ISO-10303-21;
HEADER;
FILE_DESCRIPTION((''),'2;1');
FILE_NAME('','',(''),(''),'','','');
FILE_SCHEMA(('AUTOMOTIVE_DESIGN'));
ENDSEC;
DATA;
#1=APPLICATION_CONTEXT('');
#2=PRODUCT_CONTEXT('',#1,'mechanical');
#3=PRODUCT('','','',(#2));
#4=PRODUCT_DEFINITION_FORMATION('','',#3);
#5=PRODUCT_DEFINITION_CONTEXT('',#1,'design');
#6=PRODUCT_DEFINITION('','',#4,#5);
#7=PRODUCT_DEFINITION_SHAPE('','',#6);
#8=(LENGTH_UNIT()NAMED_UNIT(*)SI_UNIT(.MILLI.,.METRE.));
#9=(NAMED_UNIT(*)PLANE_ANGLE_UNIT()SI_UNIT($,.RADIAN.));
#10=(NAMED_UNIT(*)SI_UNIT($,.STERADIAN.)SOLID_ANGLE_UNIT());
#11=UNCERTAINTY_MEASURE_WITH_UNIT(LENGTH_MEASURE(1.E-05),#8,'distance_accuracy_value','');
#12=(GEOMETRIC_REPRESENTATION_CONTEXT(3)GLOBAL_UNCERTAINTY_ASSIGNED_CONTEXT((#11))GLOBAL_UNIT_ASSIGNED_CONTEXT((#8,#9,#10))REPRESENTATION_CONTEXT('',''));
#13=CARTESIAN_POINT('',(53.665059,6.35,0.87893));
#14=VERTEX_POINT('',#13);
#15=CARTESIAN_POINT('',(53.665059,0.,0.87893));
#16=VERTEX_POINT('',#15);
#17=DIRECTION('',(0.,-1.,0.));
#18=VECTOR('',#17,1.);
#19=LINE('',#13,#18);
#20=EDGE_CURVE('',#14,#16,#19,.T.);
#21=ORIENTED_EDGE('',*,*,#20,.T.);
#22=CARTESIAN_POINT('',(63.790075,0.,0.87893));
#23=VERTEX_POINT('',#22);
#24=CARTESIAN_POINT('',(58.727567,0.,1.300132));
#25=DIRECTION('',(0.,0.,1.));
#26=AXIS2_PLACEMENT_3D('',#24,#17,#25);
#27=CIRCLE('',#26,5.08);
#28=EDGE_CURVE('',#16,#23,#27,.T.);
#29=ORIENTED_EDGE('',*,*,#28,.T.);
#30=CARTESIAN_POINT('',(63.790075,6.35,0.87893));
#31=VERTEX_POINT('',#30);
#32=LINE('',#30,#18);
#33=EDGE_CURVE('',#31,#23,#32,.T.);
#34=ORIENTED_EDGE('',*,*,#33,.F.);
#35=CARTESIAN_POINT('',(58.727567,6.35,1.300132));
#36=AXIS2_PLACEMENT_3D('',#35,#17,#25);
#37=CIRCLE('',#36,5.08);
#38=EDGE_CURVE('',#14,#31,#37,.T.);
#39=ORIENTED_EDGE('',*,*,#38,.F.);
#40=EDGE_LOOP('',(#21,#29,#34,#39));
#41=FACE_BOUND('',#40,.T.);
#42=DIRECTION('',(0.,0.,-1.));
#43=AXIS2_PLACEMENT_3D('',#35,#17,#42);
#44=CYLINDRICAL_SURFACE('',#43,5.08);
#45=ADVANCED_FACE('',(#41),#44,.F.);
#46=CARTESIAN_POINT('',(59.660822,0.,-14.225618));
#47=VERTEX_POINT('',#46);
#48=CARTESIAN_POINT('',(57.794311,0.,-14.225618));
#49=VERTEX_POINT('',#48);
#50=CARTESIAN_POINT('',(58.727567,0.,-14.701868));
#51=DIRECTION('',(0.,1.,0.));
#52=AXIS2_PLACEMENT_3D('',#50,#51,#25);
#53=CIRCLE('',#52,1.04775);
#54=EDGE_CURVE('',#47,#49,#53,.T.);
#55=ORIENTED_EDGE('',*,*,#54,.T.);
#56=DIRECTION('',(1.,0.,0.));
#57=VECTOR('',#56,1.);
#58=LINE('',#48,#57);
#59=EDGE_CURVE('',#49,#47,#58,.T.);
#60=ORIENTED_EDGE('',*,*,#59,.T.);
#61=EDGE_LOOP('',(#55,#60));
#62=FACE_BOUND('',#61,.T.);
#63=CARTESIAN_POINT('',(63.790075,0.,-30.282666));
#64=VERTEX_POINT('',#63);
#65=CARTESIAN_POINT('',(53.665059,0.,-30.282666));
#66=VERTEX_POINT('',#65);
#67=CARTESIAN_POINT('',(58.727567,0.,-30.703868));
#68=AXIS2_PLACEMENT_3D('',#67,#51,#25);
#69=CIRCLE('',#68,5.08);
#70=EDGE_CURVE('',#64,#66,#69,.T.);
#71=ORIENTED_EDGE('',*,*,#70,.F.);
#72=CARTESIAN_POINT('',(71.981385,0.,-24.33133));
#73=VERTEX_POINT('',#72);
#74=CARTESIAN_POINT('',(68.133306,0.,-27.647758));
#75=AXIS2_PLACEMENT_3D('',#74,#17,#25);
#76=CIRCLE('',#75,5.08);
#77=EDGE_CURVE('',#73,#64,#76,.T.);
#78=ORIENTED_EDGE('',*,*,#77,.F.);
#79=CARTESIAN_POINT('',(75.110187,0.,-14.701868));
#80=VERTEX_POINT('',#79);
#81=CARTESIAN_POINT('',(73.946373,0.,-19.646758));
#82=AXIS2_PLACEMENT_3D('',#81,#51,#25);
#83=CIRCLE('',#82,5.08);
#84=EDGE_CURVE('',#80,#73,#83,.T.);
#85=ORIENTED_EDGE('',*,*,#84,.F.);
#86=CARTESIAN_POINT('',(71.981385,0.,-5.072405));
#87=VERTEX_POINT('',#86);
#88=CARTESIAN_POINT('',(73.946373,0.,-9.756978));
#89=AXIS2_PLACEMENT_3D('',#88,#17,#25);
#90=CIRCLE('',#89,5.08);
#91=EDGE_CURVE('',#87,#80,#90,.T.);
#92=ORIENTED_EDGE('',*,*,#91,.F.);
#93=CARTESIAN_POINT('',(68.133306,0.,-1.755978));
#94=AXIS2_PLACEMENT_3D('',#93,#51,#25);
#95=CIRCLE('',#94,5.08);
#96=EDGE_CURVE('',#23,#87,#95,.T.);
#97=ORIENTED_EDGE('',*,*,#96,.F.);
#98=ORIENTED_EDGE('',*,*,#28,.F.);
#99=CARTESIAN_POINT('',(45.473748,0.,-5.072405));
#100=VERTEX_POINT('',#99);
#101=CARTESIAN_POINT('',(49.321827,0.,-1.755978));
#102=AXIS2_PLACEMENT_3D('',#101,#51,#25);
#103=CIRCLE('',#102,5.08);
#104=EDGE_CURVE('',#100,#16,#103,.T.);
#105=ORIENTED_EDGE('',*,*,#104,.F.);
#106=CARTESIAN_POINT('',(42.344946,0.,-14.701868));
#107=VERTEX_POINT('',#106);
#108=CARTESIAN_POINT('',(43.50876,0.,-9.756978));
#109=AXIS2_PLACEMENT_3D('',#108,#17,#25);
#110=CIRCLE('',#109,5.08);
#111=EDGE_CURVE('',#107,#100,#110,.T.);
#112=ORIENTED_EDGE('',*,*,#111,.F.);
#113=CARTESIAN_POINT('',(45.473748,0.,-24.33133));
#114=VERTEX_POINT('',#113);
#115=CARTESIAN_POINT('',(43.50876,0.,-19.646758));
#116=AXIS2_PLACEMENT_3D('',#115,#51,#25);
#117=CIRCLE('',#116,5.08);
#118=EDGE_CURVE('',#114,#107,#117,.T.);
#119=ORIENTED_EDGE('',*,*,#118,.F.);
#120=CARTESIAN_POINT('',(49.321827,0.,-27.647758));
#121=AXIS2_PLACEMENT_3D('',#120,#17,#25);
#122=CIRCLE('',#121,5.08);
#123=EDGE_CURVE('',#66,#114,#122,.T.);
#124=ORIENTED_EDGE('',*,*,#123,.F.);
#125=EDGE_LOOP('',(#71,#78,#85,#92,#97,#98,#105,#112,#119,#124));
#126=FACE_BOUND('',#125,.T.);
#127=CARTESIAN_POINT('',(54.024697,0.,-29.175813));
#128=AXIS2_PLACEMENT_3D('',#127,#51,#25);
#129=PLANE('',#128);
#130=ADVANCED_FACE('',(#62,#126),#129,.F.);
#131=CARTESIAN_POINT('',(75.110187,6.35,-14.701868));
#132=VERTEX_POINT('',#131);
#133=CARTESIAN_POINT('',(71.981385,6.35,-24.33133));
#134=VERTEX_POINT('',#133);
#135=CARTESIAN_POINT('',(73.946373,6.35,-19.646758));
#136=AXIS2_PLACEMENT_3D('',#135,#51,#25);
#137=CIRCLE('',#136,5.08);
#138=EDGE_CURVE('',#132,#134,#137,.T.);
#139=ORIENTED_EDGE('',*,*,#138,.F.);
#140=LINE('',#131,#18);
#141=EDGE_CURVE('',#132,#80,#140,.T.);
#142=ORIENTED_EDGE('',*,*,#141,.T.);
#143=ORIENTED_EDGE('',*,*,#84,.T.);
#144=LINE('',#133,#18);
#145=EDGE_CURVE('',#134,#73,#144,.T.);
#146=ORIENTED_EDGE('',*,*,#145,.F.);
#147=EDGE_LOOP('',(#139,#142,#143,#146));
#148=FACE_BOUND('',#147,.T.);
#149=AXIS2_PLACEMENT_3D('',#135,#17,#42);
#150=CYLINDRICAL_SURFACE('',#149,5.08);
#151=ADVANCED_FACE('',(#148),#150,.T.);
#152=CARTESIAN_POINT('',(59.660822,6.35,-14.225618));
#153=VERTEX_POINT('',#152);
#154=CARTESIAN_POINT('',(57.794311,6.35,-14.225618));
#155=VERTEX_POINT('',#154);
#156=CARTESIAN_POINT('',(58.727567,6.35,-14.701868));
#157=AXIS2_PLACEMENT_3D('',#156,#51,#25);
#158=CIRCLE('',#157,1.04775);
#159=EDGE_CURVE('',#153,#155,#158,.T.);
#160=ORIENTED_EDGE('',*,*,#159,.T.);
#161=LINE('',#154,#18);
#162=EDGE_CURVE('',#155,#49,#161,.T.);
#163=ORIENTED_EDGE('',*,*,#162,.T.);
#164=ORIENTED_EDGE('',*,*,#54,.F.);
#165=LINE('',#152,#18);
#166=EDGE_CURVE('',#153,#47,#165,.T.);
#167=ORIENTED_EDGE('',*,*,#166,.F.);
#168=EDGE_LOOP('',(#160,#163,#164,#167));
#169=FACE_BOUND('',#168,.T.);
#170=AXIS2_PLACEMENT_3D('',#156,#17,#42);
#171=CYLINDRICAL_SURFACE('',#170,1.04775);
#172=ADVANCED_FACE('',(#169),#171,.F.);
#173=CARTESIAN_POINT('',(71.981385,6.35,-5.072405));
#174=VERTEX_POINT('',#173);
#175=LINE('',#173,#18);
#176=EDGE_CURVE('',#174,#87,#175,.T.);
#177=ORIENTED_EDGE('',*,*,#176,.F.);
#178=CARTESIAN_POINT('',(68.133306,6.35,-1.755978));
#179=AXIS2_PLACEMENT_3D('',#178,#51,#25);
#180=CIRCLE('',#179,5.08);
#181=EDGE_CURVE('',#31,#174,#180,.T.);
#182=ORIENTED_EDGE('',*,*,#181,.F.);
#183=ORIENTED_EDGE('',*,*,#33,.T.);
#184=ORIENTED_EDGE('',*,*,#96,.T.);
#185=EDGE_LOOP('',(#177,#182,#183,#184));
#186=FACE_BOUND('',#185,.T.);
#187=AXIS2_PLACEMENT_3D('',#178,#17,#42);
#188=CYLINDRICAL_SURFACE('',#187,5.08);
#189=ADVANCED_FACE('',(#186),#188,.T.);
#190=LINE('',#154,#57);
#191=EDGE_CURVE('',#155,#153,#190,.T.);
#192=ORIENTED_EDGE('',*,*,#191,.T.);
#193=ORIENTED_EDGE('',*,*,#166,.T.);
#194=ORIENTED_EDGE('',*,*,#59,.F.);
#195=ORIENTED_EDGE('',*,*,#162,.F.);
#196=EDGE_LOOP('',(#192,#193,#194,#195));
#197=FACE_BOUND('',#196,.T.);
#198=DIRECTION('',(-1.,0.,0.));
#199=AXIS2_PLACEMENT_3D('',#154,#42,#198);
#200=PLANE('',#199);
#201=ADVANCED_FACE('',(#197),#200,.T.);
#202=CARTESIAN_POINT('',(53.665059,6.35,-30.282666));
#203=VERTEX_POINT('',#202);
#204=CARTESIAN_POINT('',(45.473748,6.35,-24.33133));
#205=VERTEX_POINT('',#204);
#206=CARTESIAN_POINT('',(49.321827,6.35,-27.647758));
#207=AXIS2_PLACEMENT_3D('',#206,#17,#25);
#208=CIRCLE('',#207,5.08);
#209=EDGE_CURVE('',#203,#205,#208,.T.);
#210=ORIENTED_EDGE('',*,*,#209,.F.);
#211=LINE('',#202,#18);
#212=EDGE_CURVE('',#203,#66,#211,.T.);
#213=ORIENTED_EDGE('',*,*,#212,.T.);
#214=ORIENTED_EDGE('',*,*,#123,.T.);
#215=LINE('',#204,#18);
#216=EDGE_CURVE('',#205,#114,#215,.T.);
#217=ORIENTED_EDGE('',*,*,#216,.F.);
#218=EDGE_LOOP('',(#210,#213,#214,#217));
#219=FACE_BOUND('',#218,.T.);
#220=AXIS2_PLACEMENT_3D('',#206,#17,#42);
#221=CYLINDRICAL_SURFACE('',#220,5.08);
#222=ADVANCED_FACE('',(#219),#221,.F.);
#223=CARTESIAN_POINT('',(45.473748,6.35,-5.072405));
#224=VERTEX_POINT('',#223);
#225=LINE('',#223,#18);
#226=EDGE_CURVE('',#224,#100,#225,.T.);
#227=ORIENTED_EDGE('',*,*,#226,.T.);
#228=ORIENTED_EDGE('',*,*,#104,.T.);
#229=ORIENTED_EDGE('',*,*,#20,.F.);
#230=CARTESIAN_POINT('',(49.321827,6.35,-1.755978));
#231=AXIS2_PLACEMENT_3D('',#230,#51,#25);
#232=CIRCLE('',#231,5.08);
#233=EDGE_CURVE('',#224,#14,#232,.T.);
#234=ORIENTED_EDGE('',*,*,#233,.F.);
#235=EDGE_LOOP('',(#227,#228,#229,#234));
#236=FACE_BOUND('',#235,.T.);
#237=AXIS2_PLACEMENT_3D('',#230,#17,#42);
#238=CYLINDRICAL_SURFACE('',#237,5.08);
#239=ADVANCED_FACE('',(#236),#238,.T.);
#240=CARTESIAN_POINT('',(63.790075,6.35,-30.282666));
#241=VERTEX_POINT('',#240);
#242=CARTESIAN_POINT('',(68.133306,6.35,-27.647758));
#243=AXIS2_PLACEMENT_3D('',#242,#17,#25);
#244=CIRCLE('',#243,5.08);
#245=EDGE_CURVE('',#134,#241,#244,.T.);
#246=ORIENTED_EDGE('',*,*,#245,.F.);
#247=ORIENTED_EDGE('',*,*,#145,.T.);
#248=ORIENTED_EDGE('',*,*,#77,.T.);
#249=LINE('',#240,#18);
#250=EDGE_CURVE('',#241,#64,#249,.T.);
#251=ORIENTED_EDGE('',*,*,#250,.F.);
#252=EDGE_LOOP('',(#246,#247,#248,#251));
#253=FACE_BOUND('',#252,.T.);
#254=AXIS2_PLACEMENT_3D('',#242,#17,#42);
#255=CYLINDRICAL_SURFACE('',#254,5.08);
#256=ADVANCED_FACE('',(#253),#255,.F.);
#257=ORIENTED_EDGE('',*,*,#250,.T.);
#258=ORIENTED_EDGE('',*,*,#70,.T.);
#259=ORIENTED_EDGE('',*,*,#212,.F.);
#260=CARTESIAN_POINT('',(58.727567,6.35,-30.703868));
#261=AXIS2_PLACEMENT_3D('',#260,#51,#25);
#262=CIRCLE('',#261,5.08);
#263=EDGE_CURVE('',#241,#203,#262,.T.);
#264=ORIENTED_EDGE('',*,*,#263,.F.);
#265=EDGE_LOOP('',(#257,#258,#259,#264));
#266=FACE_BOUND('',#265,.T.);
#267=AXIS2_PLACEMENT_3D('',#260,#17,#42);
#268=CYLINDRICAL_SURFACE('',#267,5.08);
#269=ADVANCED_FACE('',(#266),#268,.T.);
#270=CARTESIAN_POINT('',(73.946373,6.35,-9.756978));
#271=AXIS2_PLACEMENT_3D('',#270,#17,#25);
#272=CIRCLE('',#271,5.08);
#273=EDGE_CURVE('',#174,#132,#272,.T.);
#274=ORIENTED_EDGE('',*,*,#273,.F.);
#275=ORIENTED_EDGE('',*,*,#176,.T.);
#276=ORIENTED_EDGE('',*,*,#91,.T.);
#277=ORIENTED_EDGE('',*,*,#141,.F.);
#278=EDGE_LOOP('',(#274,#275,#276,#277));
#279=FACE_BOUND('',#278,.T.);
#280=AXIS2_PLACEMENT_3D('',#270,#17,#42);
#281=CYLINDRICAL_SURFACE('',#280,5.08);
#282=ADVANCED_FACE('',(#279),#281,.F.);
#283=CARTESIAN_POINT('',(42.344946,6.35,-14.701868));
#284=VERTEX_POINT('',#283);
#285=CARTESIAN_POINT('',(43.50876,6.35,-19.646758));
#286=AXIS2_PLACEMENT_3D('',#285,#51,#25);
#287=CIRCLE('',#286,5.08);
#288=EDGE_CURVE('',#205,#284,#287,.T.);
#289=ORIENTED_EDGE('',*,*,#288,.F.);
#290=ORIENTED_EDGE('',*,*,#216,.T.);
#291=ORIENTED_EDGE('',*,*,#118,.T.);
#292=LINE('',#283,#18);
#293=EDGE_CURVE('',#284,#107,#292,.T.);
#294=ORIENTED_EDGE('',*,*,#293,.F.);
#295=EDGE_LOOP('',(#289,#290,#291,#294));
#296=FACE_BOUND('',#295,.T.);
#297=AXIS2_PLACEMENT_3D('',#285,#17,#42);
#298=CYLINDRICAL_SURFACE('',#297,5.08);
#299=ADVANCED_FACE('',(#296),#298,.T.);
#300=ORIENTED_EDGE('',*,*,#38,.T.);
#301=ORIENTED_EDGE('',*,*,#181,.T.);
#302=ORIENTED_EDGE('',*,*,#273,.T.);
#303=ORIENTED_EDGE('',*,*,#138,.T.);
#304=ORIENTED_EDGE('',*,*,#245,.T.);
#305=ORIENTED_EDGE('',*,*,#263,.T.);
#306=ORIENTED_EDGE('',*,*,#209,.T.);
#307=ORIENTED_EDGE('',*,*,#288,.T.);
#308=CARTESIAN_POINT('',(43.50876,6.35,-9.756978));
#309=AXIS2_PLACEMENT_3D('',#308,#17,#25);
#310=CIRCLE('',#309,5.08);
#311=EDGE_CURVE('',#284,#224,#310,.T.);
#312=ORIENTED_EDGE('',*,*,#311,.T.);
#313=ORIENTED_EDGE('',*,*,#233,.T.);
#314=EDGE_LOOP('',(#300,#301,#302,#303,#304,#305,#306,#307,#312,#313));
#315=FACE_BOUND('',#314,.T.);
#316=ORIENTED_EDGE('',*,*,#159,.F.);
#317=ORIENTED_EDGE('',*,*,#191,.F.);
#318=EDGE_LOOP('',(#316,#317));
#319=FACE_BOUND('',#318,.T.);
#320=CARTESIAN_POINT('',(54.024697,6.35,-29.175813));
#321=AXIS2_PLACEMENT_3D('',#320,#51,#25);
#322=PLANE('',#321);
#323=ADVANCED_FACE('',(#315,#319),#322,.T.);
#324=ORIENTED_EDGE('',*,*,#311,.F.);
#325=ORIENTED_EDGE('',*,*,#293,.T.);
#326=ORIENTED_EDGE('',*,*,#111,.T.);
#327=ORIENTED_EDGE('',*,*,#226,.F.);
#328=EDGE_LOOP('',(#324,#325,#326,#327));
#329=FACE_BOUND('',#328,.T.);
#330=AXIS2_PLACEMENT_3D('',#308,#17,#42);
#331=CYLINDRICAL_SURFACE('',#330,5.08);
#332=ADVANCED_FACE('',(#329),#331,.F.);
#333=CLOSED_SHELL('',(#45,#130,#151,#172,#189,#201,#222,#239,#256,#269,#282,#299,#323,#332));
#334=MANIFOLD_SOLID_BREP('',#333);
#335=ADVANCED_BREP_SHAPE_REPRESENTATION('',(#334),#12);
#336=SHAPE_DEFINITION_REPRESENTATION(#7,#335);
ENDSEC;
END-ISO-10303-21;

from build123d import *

# Parameters (mm, degrees)
BOSS_EXTRUDE1_DEPTH = 6.35
CUT_EXTRUDE1_DEPTH  = 87.982615074


with BuildPart() as part:
    # Sketch5 → Boss-Extrude1 (new body)
    with BuildSketch(Plane(origin=(0, 0, 0), x_dir=(1, 0, 0), z_dir=(0, 1, 0))):
        with BuildLine():
            ThreePointArc((63.790074828, 30.282665757), (58.727566665, 35.783867727), (53.665058502, 30.282665757))
            ThreePointArc((53.665058502, 30.282665757), (52.307776139, 23.537951339), (45.473748225, 24.331330481))
            ThreePointArc((45.473748225, 24.331330481), (38.677393188, 21.216564002), (42.344946112, 14.701867727))
            ThreePointArc((42.344946112, 14.701867727), (48.340127394, 11.326784114), (45.473748225, 5.072404972))
            ThreePointArc((45.473748225, 5.072404972), (46.335877976, -2.353828549), (53.665058502, -0.878930303))
            ThreePointArc((53.665058502, -0.878930303), (58.727566665, 3.779867727), (63.790074828, -0.878930303))
            ThreePointArc((63.790074828, -0.878930303), (71.119255353, -2.353828549), (71.981385104, 5.072404972))
            ThreePointArc((71.981385104, 5.072404972), (69.115005936, 11.326784114), (75.110187217, 14.701867727))
            ThreePointArc((75.110187217, 14.701867727), (78.777740141, 21.216564002), (71.981385104, 24.331330481))
            ThreePointArc((71.981385104, 24.331330481), (65.14735719, 23.537951339), (63.790074828, 30.282665757))
        make_face()
    extrude(amount=BOSS_EXTRUDE1_DEPTH)

    # Sketch6 → Cut-Extrude1 (cut, through all)
    with BuildSketch(Plane(origin=(0, 0, 0), x_dir=(1, 0, 0), z_dir=(0, 1, 0))):
        with BuildLine():
            Line((57.794311073, 14.225617727), (59.660822257, 14.225617727))
            ThreePointArc((59.660822257, 14.225617727), (58.727566665, 15.749617727), (57.794311073, 14.225617727))
        make_face()
    extrude(amount=CUT_EXTRUDE1_DEPTH, mode=Mode.SUBTRACT)


solid = part.part
